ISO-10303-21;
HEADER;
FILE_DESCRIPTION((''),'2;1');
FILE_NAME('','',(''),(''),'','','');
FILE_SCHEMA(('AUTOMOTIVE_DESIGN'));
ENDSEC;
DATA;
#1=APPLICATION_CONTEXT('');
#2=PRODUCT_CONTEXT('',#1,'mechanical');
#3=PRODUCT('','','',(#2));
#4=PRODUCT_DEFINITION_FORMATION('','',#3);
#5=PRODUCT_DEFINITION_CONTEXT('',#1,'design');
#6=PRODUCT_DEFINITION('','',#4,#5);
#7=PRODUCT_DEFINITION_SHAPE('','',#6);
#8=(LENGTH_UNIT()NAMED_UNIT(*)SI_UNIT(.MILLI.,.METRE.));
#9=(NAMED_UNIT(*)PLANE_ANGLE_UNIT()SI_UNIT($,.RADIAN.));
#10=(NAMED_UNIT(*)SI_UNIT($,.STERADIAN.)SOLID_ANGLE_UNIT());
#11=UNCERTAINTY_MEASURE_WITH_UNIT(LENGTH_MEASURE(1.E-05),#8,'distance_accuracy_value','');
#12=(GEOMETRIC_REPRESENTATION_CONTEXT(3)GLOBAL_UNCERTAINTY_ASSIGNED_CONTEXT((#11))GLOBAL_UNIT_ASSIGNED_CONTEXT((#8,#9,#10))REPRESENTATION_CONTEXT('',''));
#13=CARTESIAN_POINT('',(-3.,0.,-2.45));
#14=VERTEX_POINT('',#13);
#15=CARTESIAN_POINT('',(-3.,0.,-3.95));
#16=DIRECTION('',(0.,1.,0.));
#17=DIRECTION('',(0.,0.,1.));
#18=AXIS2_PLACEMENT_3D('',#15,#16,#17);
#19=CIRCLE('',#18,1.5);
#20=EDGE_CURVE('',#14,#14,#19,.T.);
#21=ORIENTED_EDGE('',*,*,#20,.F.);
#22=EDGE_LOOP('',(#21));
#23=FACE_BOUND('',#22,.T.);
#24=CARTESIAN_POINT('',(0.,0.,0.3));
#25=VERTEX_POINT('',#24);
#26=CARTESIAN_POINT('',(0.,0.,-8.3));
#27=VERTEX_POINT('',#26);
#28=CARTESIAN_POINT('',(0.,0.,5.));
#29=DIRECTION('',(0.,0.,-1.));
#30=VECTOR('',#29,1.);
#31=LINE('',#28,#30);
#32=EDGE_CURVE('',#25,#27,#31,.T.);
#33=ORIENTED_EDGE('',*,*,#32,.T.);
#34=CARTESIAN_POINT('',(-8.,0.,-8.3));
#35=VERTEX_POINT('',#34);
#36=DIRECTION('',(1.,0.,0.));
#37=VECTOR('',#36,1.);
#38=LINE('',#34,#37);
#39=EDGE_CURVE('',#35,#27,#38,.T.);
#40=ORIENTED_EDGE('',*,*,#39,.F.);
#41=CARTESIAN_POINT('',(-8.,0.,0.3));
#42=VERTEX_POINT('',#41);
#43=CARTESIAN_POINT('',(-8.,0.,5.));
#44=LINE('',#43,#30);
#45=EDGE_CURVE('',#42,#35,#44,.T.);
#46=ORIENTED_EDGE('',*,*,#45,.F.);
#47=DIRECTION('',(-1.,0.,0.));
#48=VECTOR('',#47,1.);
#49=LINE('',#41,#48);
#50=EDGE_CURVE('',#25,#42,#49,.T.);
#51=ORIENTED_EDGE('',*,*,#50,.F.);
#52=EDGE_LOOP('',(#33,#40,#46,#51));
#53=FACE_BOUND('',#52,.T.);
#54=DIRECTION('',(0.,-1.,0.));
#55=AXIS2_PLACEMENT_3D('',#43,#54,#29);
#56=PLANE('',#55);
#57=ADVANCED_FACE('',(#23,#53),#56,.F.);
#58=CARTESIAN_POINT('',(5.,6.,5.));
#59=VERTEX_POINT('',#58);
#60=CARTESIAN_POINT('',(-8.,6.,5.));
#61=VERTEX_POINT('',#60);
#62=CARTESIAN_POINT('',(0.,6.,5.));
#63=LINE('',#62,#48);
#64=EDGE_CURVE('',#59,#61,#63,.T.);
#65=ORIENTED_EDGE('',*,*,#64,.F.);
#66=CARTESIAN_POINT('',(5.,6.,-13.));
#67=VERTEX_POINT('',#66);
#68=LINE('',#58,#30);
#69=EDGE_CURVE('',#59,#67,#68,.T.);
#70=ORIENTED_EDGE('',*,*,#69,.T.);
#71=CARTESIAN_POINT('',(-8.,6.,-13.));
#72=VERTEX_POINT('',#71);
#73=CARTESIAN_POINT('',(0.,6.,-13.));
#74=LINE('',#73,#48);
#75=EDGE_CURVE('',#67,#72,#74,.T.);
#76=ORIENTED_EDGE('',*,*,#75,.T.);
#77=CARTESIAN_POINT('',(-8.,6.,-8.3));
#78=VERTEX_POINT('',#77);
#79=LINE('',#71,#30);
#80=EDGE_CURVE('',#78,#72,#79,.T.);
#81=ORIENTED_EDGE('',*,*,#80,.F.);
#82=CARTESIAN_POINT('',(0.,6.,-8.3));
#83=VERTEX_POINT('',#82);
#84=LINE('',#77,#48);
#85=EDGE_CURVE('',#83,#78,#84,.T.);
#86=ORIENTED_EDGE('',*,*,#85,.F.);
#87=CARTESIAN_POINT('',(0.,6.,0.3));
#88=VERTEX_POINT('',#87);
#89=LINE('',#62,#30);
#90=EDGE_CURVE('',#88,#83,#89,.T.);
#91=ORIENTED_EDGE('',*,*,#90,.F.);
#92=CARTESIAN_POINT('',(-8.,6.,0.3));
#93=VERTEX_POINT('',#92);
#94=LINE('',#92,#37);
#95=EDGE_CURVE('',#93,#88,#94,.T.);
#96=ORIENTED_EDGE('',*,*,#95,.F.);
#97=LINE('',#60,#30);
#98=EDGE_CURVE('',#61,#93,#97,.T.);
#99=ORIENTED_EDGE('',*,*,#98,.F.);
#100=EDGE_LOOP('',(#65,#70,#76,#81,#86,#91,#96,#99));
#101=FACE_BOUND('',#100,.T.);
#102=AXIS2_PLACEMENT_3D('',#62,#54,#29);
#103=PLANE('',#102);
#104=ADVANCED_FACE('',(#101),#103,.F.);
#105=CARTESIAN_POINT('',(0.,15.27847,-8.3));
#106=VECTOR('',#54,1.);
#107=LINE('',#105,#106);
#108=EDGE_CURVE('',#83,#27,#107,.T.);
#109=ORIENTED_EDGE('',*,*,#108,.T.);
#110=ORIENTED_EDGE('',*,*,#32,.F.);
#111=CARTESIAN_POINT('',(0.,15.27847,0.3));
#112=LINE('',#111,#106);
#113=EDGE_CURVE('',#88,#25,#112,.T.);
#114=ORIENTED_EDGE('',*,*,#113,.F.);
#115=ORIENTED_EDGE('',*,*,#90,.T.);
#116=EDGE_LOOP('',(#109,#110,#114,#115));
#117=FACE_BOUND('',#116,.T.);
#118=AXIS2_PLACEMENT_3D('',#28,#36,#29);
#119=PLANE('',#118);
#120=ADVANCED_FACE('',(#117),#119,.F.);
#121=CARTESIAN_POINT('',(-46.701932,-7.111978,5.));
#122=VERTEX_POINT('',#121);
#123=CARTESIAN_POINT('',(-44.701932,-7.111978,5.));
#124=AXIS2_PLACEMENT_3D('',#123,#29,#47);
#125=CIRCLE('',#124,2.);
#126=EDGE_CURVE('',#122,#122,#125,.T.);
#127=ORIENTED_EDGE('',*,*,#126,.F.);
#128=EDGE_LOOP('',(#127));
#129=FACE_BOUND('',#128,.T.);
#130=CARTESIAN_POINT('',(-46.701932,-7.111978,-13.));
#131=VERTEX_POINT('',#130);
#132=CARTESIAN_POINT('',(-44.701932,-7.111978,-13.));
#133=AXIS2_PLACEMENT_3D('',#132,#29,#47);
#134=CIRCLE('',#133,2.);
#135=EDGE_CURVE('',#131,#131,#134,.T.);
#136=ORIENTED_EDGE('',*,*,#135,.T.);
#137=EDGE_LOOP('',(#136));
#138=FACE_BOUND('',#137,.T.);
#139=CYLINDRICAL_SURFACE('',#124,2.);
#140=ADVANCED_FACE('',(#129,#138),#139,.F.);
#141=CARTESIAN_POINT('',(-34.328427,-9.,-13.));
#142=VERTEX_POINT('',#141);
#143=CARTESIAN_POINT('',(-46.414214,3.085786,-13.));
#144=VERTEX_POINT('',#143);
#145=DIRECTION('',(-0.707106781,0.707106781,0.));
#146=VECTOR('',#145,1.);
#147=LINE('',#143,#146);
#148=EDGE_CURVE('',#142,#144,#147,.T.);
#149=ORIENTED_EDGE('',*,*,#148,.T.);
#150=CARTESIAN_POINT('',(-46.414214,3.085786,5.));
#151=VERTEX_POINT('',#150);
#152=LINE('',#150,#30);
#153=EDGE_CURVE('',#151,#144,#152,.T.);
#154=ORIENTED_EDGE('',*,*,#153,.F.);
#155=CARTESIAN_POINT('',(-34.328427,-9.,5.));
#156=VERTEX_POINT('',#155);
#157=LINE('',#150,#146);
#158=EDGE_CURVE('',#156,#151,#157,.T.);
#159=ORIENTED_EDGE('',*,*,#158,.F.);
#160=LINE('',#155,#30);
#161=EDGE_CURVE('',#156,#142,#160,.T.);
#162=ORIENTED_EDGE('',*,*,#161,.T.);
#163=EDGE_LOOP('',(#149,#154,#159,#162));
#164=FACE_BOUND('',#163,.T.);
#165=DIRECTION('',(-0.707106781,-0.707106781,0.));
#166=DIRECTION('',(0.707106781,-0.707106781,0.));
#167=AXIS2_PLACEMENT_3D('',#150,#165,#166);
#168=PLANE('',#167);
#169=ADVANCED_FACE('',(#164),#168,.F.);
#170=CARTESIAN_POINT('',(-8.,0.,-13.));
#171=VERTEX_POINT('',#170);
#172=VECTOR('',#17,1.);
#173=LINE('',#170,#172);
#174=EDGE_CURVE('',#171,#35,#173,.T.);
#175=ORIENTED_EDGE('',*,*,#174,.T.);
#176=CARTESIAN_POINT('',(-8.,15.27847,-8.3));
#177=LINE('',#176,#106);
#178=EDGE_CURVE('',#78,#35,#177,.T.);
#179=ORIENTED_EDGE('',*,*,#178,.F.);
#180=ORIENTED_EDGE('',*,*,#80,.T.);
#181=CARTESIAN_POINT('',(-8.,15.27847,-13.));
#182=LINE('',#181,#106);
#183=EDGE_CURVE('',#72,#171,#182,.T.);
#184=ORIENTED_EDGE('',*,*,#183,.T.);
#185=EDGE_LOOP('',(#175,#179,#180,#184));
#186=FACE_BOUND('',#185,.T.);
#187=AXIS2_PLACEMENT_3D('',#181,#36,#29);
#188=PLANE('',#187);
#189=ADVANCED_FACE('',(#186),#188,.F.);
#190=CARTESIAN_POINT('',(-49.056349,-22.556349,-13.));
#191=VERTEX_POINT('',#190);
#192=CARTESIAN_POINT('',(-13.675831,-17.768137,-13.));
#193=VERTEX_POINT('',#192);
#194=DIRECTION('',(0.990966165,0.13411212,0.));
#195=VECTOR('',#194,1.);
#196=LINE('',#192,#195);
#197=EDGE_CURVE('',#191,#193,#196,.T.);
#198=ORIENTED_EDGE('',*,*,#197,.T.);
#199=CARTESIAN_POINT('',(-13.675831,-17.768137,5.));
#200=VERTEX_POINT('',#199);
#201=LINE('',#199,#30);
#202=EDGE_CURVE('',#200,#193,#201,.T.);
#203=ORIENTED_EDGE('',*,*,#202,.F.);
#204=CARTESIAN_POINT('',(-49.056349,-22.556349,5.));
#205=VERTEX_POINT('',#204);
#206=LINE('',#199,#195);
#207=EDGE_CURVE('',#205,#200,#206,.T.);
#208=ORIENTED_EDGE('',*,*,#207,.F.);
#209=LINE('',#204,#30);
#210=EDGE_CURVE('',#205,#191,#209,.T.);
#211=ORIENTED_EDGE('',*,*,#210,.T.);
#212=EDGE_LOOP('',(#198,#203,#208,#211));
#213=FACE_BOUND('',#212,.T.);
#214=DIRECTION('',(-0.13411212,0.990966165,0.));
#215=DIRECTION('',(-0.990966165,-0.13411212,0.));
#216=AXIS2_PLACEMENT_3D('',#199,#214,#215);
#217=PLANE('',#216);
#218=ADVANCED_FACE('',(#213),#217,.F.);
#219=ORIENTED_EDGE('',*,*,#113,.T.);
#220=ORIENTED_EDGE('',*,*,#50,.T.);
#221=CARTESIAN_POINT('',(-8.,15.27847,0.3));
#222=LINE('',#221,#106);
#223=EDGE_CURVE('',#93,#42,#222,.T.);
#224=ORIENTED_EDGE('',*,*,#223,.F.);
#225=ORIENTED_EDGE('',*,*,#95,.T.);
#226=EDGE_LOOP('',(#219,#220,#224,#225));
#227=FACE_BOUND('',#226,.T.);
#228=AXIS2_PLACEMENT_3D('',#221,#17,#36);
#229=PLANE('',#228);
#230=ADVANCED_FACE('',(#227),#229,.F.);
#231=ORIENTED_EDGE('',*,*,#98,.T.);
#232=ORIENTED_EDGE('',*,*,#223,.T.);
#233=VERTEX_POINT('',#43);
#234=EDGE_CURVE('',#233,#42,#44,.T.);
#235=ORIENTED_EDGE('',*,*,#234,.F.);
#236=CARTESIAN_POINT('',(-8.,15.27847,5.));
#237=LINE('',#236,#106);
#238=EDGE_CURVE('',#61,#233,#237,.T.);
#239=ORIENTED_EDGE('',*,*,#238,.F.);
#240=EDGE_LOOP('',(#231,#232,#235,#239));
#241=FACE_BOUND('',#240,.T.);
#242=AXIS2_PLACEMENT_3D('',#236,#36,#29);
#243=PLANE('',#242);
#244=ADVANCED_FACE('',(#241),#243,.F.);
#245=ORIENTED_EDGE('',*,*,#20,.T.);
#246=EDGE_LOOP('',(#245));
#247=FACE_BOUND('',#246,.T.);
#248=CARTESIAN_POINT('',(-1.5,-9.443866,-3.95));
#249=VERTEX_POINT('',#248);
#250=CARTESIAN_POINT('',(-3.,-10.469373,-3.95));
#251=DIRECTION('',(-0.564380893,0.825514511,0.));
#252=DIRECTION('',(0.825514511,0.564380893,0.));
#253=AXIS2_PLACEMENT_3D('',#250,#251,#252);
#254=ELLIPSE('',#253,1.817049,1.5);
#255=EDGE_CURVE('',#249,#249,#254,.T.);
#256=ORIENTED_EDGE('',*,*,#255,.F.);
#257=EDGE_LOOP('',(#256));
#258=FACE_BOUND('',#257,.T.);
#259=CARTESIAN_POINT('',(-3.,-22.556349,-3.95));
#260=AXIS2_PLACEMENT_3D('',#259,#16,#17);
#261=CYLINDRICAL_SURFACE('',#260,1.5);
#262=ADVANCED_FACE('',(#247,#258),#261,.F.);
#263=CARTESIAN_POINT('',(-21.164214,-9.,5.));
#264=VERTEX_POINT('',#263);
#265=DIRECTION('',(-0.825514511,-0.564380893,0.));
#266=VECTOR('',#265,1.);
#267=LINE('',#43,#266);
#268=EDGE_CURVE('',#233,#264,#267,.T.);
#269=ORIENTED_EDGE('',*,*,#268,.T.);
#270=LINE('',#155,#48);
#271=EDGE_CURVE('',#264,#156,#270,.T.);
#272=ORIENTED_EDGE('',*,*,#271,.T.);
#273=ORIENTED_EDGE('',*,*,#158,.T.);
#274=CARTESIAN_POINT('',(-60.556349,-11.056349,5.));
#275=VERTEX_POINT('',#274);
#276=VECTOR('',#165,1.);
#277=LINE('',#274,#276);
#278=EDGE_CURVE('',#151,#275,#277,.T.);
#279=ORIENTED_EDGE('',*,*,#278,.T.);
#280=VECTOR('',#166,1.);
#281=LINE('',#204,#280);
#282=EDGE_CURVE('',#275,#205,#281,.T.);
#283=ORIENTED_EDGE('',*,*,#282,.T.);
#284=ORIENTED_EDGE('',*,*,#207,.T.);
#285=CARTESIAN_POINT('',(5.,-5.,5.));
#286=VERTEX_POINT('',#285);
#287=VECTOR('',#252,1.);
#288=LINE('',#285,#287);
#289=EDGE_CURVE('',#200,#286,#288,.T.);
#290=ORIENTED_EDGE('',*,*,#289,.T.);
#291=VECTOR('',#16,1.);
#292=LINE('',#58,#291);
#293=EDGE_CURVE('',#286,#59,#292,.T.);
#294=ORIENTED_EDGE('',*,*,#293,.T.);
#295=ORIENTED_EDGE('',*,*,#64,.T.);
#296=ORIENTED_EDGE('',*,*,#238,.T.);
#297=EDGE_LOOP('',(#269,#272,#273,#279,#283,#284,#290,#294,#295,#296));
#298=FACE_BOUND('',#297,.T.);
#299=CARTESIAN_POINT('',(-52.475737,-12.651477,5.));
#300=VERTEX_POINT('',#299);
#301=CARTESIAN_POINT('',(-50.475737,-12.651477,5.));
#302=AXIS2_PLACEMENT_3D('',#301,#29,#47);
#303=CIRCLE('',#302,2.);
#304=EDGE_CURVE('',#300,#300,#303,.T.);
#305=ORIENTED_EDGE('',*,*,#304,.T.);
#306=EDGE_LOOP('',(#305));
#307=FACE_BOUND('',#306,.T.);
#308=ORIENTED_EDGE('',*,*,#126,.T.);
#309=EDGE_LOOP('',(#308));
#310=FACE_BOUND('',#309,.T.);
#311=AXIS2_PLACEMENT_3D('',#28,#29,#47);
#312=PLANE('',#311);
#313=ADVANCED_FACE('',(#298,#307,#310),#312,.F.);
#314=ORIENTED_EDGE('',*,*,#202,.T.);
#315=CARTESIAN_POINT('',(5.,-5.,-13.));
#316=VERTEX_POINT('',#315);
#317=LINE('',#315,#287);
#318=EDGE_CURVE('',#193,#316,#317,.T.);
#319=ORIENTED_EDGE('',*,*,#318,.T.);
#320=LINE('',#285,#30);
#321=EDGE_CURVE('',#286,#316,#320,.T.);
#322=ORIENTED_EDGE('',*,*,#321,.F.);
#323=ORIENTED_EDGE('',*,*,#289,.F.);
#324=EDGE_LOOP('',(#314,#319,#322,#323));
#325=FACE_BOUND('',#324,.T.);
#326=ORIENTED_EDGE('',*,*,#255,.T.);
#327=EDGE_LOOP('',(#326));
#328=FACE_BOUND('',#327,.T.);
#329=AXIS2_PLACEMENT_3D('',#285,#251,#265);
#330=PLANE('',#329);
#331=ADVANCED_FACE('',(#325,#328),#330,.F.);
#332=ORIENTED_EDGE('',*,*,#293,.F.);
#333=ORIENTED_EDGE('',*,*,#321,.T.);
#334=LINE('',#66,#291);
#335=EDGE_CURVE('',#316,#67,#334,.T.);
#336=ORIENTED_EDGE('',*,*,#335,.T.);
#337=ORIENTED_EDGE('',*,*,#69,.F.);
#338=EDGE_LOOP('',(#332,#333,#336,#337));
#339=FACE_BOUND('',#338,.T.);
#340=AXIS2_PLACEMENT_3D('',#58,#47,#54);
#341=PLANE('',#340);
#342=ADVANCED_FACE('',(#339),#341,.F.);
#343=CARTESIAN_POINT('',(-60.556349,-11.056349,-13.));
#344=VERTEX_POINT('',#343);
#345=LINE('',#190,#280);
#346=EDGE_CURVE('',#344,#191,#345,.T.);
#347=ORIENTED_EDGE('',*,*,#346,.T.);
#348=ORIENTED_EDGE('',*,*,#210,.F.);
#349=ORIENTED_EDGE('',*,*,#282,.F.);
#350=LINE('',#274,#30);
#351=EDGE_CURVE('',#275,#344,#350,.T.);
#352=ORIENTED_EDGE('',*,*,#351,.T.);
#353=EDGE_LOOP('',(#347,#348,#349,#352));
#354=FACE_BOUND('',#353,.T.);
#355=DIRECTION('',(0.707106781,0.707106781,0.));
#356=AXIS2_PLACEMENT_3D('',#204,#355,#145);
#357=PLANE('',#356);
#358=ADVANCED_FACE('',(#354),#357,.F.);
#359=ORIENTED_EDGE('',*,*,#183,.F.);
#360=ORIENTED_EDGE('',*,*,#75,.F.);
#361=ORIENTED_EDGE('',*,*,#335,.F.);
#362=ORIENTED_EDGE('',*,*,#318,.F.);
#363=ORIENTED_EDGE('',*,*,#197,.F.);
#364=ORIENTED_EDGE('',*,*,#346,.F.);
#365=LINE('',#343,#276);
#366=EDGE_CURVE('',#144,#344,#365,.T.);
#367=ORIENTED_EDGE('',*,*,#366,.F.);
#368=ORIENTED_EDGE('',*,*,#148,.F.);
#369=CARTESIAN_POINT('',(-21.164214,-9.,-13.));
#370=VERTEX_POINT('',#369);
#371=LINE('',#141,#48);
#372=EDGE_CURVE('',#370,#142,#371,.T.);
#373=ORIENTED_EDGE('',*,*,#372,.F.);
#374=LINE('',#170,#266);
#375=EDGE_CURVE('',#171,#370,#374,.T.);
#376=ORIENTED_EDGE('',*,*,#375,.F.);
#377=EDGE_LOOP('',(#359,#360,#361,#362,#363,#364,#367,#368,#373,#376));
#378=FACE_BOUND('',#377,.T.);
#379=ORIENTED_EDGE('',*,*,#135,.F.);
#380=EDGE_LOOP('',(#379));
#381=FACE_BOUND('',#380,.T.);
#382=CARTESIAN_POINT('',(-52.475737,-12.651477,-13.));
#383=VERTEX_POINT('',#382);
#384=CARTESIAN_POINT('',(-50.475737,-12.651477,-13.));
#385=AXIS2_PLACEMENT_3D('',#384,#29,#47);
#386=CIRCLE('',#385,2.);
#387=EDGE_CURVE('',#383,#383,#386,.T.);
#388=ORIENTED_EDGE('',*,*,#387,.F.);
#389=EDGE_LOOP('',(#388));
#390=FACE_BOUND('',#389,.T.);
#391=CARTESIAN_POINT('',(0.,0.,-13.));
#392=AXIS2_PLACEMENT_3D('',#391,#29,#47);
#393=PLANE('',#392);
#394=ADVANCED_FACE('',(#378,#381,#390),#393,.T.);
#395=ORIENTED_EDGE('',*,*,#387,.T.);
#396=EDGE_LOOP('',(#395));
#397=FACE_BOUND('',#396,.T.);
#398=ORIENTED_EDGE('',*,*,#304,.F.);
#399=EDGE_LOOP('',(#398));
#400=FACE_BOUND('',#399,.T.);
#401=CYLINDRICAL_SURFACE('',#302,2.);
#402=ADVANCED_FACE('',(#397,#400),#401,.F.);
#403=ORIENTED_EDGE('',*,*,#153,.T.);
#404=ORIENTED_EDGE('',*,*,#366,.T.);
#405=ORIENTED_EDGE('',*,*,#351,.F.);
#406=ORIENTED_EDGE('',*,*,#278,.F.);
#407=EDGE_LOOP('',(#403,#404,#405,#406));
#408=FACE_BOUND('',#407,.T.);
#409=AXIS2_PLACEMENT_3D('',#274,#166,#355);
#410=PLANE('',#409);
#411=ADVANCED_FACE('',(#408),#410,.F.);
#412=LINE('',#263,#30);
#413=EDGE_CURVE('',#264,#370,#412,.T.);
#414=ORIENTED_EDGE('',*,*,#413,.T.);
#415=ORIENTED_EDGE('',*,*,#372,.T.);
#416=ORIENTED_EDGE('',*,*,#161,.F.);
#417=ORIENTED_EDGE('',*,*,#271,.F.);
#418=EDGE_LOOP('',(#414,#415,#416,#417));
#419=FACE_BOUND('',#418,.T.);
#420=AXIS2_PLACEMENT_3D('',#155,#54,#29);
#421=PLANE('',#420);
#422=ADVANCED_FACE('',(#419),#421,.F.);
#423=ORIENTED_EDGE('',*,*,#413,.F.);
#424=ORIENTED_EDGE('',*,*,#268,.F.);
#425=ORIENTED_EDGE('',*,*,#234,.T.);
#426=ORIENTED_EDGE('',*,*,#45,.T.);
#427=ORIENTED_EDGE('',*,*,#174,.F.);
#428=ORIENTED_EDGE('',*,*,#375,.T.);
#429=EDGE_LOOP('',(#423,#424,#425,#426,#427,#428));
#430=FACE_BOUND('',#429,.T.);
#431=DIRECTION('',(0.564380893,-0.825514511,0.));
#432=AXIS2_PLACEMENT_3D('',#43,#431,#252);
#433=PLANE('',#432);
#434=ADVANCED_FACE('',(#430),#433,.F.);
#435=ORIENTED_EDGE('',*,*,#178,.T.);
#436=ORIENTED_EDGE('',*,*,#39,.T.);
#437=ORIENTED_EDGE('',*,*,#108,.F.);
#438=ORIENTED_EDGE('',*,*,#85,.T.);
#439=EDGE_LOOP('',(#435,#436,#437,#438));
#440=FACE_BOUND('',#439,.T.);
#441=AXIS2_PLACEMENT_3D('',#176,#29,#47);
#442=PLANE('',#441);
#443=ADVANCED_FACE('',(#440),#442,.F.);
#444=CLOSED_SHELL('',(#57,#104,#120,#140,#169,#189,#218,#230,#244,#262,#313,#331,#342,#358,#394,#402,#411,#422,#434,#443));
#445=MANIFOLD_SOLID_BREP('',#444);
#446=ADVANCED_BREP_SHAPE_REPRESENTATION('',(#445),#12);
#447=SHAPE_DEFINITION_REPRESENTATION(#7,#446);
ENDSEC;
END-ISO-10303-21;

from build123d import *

# Parameters (mm, degrees)
BOSS_EXTRUDE1_DEPTH      = 5
BOSS_EXTRUDE1_DEPTH_BACK = 13
SKETCH2_R                = 1.5
CUT_EXTRUDE1_DEPTH       = 66.915554427
SKETCH3_R                = 2
CUT_EXTRUDE2_DEPTH       = 68.080998169
SKETCH4_W                = 8
SKETCH4_H                = 4.7
BOSS_EXTRUDE2_DEPTH      = 6


with BuildPart() as part:
    # Sketch1 → Boss-Extrude1 (new, two sides: drawn at the far end of the back side and taken through both)
    with BuildSketch(Plane.XY.offset(-BOSS_EXTRUDE1_DEPTH_BACK)):
        Polygon((0, 6), (5, 6), (5, -5), (-13.675831366, -17.768137002), (-49.056349186, -22.556349186), (-60.556349186, -11.056349186), (-46.414213562, 3.085786438), (-34.328427125, -9), (-21.164213562, -9), (-8, 0), (0, 0), align=None)
    extrude(amount=BOSS_EXTRUDE1_DEPTH + BOSS_EXTRUDE1_DEPTH_BACK)

    # Sketch2 → Cut-Extrude1 (cut, through all)
    with BuildSketch(Plane(origin=(0, 0, 0), x_dir=(1, 0, 0), z_dir=(0, 1, 0))):
        with Locations(Location((-3, 3.95, 0), (0, 0, 270))):
            Circle(SKETCH2_R)
    extrude(amount=-CUT_EXTRUDE1_DEPTH, mode=Mode.SUBTRACT)

    # Sketch3 → Cut-Extrude2 (cut, through all)
    with BuildSketch(Plane(origin=(0, 0, -13), x_dir=(-1, 0, 0), z_dir=(0, 0, -1))):
        with Locations((50.475737372, -12.65147749)):
            Circle(SKETCH3_R)
        with Locations((44.701932157, -7.111978477)):
            Circle(SKETCH3_R)
    extrude(amount=-CUT_EXTRUDE2_DEPTH, mode=Mode.SUBTRACT)

    # Sketch4 → Boss-Extrude2 (add)
    with BuildSketch(Plane(origin=(0, 0, 0), x_dir=(1, 0, 0), z_dir=(0, 1, 0))):
        with Locations((-4, -2.65)):
            Rectangle(SKETCH4_W, SKETCH4_H)
        with Locations((-4, 10.65)):
            Rectangle(SKETCH4_W, SKETCH4_H)
    extrude(amount=BOSS_EXTRUDE2_DEPTH)


solid = part.part
